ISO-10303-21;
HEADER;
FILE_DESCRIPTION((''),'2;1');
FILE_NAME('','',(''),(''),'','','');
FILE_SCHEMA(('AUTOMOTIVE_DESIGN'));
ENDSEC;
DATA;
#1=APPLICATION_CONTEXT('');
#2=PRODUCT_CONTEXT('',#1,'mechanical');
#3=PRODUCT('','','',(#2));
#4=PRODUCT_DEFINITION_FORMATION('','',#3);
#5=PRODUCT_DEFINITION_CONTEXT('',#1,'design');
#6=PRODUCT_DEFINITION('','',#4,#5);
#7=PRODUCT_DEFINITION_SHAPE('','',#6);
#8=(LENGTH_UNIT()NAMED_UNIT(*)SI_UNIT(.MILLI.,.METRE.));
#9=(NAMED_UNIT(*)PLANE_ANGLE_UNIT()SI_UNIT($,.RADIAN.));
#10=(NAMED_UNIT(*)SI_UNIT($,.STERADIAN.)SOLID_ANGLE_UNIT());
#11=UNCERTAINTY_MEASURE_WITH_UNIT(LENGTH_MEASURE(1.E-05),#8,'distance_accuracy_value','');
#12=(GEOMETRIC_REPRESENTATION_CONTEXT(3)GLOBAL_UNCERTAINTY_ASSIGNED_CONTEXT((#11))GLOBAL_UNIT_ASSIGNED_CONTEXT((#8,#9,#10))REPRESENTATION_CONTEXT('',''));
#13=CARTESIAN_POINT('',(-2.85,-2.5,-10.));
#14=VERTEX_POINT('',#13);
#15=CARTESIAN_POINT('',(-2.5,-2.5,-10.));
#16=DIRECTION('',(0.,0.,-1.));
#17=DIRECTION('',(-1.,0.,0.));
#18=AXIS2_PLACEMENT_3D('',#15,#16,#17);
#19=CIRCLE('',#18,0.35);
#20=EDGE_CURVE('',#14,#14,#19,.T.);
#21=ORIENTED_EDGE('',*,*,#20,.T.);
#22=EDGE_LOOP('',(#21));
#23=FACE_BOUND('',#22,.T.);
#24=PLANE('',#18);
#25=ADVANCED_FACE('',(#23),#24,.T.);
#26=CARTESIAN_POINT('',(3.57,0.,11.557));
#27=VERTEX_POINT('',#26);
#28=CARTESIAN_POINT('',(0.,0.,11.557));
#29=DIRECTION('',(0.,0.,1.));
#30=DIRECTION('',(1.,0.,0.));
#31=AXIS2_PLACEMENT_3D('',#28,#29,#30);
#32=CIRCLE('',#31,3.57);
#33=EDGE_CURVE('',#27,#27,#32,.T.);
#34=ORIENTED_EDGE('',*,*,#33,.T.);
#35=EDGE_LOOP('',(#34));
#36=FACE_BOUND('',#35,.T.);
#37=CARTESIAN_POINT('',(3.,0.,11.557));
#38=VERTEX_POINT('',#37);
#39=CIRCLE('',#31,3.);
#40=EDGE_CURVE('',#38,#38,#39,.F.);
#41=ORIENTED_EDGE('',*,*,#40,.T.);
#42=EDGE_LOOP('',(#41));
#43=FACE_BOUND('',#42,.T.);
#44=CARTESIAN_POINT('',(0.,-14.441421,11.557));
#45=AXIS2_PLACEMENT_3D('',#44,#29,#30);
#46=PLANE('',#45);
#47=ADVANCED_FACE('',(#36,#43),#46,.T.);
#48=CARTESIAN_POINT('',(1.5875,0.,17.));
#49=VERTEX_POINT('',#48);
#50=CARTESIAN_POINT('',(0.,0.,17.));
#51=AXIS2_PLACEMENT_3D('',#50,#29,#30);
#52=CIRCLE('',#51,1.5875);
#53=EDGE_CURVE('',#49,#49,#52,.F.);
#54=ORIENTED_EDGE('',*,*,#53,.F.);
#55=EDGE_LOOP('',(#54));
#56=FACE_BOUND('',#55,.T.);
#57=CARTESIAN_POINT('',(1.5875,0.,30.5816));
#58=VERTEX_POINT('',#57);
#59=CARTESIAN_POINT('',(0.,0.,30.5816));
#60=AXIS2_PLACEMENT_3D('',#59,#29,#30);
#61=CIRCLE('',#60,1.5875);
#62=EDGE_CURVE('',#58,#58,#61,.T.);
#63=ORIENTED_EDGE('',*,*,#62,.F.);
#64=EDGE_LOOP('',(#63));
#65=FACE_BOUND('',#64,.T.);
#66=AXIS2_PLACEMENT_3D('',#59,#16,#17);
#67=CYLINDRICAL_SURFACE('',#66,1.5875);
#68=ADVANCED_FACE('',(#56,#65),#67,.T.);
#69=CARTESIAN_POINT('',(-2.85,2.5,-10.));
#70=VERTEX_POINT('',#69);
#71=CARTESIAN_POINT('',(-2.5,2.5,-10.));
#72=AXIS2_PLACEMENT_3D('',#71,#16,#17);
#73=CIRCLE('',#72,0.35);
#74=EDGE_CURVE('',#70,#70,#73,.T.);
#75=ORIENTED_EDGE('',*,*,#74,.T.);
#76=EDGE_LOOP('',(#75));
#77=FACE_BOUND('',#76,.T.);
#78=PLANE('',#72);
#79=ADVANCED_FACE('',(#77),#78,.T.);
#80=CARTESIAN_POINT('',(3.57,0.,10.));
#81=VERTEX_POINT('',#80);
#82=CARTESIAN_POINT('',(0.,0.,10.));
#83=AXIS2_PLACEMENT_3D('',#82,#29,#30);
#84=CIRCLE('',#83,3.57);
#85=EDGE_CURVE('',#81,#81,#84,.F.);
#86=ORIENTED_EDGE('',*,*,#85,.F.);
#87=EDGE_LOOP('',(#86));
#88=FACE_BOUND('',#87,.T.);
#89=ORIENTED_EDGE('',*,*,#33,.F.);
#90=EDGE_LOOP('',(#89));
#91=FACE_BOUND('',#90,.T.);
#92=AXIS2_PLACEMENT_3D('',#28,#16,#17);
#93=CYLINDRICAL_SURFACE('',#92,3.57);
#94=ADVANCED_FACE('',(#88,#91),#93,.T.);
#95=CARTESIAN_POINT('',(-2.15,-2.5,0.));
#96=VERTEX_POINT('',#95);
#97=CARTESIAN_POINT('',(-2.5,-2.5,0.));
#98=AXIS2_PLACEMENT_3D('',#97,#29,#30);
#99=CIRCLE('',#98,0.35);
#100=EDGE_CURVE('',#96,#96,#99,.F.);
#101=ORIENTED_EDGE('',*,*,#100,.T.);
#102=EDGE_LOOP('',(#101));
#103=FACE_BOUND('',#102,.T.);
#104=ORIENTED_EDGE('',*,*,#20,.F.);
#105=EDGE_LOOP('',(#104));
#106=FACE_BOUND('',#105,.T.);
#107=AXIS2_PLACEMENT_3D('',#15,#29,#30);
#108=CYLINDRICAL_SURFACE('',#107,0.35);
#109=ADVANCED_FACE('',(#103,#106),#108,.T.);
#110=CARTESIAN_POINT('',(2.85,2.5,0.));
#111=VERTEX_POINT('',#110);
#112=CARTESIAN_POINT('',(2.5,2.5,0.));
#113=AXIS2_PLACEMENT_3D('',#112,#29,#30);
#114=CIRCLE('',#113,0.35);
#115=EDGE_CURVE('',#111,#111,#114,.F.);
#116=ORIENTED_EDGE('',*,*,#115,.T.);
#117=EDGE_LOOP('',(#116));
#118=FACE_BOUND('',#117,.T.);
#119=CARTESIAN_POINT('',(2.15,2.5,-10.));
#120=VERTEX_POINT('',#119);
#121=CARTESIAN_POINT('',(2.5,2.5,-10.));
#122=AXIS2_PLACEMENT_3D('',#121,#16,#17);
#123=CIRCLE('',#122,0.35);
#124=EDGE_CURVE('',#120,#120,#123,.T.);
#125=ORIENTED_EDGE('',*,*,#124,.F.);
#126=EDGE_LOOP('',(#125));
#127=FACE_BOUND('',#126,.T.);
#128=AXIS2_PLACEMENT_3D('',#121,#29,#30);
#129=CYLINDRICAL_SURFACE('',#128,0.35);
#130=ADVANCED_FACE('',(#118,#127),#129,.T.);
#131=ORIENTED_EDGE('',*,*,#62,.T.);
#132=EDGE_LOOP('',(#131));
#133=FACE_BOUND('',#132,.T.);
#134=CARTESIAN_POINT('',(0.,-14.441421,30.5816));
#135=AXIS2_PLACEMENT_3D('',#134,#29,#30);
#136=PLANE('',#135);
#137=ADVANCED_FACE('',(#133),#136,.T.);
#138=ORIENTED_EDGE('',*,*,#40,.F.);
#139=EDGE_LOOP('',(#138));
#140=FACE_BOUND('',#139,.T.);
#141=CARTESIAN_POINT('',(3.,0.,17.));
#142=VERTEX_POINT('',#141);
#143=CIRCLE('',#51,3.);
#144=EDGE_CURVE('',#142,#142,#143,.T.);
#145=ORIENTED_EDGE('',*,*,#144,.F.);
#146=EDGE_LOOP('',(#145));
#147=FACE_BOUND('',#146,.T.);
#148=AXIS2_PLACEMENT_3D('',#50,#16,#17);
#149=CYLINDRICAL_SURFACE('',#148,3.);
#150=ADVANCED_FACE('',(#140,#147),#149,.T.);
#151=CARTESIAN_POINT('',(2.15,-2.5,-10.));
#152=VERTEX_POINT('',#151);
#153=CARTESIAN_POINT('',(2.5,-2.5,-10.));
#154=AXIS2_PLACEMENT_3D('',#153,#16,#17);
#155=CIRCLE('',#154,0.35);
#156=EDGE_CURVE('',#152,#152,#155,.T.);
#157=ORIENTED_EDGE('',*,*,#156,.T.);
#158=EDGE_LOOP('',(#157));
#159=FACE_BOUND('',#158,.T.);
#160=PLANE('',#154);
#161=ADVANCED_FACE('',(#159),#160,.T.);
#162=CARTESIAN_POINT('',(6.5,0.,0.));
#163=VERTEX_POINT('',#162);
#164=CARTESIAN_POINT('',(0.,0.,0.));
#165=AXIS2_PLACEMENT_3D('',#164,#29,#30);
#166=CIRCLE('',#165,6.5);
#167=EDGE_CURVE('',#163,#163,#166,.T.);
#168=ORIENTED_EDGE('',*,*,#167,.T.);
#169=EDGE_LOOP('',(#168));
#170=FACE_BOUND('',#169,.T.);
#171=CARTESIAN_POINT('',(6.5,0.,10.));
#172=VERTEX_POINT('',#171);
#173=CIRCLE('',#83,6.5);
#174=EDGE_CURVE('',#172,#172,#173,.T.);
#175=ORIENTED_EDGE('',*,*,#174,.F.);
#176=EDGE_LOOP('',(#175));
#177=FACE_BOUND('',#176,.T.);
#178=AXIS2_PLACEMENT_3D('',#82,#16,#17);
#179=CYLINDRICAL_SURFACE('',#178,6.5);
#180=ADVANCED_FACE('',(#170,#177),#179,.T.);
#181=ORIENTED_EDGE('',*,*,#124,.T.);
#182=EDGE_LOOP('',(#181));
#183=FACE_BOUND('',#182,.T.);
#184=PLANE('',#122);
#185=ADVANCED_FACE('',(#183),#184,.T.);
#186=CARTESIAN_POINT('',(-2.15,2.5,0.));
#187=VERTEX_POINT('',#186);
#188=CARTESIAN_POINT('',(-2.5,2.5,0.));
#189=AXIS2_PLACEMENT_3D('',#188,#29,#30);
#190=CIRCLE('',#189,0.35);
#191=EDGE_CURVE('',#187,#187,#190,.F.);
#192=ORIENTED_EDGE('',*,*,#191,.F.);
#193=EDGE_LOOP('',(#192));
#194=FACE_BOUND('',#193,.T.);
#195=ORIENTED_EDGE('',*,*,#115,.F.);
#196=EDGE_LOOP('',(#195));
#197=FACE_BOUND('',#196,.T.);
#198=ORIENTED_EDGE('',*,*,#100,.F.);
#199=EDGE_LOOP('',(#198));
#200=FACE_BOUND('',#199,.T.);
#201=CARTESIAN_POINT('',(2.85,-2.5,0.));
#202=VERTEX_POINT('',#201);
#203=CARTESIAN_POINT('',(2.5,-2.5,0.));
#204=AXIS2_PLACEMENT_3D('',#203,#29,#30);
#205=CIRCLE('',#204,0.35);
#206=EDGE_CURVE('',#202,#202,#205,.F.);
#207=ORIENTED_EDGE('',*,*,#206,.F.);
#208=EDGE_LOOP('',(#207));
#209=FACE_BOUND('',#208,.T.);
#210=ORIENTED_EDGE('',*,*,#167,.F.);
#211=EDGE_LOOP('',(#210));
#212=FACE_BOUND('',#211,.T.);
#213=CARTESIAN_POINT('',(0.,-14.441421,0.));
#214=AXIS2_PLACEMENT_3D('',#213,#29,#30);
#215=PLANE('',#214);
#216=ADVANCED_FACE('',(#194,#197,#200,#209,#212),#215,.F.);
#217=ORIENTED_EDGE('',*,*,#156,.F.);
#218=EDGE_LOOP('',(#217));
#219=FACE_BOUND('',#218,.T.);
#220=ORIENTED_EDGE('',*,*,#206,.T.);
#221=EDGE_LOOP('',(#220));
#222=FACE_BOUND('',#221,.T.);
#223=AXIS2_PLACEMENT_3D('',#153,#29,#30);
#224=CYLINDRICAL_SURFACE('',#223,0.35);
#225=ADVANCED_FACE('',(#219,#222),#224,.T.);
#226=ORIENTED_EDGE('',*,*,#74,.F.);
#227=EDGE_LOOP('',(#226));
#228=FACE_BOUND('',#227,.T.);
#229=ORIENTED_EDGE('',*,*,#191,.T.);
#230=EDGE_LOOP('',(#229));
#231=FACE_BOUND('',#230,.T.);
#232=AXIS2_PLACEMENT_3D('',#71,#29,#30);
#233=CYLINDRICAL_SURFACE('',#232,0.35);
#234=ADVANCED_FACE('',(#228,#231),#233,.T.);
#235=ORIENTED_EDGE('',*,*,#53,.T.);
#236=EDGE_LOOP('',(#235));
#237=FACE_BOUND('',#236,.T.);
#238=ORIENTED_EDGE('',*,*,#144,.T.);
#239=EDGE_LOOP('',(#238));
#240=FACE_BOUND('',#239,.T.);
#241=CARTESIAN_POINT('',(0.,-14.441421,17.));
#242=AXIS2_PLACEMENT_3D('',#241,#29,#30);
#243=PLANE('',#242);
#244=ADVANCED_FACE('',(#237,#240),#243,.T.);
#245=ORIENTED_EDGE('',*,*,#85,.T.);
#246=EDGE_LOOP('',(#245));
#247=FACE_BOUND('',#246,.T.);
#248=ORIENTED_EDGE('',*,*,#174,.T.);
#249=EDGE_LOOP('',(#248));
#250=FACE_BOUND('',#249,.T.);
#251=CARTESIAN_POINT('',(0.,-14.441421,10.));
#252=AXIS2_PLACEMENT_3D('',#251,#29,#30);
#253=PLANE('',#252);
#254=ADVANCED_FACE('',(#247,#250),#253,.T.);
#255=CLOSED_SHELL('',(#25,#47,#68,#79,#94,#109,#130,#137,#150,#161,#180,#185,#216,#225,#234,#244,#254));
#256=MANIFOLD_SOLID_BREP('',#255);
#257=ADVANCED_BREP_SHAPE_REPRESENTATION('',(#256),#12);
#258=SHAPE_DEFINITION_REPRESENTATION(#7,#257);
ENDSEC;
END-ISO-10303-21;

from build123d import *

# Parameters (mm, degrees)
SKETCH1_R           = 6.5
BOSS_EXTRUDE1_DEPTH = 10
SKETCH1_3_R         = 3.57
BOSS_EXTRUDE2_DEPTH = 11.557
SKETCH1_4_R         = 3
BOSS_EXTRUDE3_DEPTH = 17
SKETCH1_5_R         = 1.5875
BOSS_EXTRUDE4_DEPTH = 30.5816
SKETCH2_R           = 0.35
BOSS_EXTRUDE5_DEPTH = 10


with BuildPart() as part:
    # Sketch1 → Boss-Extrude1 (new body)
    with BuildSketch(Plane.XY):
        Circle(SKETCH1_R)
    extrude(amount=BOSS_EXTRUDE1_DEPTH)

    # Sketch1<3> → Boss-Extrude2 (add)
    with BuildSketch(Plane.XY):
        Circle(SKETCH1_3_R)
    extrude(amount=BOSS_EXTRUDE2_DEPTH)

    # Sketch1<4> → Boss-Extrude3 (add)
    with BuildSketch(Plane.XY):
        Circle(SKETCH1_4_R)
    extrude(amount=BOSS_EXTRUDE3_DEPTH)

    # Sketch1<5> → Boss-Extrude4 (add)
    with BuildSketch(Plane.XY):
        Circle(SKETCH1_5_R)
    extrude(amount=BOSS_EXTRUDE4_DEPTH)

    # Sketch2 → Boss-Extrude5 (add)
    with BuildSketch(Plane(origin=(0, 0, 0), x_dir=(-1, 0, 0), z_dir=(0, 0, -1))):
        with Locations((-2.5, 2.5)):
            Circle(SKETCH2_R)
        with Locations((2.5, 2.5)):
            Circle(SKETCH2_R)
        with Locations((2.5, -2.5)):
            Circle(SKETCH2_R)
        with Locations((-2.5, -2.5)):
            Circle(SKETCH2_R)
    extrude(amount=BOSS_EXTRUDE5_DEPTH)


solid = part.part
